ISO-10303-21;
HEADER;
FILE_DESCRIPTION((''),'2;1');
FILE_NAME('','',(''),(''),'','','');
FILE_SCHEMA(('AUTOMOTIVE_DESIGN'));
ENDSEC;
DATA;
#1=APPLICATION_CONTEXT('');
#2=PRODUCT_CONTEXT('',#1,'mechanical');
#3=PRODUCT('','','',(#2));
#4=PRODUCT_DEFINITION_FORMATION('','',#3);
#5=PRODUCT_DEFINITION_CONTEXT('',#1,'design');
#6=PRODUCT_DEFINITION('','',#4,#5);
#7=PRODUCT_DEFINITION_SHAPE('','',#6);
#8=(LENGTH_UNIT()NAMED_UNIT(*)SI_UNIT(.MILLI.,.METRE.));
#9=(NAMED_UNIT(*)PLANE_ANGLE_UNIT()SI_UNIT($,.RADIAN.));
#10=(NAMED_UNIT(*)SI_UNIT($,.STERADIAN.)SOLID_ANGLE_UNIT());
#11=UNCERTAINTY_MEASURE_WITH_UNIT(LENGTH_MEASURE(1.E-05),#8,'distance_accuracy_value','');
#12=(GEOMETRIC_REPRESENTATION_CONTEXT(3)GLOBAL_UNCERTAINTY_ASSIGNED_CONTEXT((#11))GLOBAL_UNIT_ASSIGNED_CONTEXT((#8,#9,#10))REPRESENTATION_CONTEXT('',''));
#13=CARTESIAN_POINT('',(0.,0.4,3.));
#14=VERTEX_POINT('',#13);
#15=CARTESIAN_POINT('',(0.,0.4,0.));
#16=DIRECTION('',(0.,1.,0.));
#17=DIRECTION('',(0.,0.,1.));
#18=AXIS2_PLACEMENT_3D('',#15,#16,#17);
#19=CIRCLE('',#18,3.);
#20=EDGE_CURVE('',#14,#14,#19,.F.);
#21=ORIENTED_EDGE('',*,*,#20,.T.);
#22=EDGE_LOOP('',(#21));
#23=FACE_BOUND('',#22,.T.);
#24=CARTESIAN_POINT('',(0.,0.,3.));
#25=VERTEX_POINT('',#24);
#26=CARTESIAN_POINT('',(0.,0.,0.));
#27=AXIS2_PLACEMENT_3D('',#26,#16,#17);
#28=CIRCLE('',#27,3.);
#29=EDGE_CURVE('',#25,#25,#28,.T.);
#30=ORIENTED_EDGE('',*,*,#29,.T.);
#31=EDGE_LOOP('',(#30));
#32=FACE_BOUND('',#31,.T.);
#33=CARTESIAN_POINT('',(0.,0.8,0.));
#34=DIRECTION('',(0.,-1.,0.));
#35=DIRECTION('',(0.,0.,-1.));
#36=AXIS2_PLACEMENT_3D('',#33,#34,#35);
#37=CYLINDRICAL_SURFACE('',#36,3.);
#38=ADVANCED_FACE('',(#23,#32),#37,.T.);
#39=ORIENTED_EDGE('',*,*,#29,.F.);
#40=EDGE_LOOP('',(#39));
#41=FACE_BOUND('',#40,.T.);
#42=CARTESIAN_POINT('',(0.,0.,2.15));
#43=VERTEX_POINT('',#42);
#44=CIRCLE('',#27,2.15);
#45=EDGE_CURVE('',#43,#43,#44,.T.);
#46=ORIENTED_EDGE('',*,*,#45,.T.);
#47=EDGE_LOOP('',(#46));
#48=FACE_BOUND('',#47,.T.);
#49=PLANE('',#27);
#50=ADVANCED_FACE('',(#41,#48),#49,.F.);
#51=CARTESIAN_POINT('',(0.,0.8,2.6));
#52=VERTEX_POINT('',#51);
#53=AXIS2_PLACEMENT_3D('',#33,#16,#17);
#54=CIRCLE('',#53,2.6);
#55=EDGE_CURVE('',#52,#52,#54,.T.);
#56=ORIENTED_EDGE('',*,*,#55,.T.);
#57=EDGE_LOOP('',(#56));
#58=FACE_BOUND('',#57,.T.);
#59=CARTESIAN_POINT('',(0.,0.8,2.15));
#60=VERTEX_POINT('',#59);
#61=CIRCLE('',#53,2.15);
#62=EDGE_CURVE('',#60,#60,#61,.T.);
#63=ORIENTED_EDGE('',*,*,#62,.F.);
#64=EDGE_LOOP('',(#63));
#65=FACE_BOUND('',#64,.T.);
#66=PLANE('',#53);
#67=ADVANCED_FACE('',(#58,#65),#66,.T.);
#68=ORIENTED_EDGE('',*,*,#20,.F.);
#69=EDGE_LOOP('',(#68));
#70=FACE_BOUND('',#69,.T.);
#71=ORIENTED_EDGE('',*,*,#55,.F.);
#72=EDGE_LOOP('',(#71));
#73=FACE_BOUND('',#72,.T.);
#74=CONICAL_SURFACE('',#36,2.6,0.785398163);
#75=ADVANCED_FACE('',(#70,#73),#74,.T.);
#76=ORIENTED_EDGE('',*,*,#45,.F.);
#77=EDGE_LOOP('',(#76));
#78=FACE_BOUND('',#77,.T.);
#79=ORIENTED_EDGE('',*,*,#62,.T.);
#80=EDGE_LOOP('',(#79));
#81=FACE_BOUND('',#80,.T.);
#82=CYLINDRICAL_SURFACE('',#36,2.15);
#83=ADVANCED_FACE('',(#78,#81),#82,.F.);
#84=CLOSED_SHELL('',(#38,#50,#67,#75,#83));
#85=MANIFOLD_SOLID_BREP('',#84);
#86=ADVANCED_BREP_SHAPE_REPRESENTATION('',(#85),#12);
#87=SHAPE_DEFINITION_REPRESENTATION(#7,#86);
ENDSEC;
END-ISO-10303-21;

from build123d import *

# Parameters (mm, degrees)
SKETCH1_R           = 3
SKETCH1_R_2         = 2.15
BOSS_EXTRUDE1_DEPTH = 0.8
CHAMFER1_SIZE       = 0.4


with BuildPart() as part:
    # Sketch1 → Boss-Extrude1 (new body)
    with BuildSketch(Plane(origin=(0, 0, 0), x_dir=(1, 0, 0), z_dir=(0, 1, 0))):
        Circle(SKETCH1_R)
        Circle(SKETCH1_R_2, mode=Mode.SUBTRACT)
    extrude(amount=BOSS_EXTRUDE1_DEPTH)

    # Chamfer1
    chamfer1_edges = [part.edges().sort_by_distance(p)[0] for p in [
        (-3, 0.8, 0),
    ]]
    chamfer(chamfer1_edges, length=CHAMFER1_SIZE)


solid = part.part
